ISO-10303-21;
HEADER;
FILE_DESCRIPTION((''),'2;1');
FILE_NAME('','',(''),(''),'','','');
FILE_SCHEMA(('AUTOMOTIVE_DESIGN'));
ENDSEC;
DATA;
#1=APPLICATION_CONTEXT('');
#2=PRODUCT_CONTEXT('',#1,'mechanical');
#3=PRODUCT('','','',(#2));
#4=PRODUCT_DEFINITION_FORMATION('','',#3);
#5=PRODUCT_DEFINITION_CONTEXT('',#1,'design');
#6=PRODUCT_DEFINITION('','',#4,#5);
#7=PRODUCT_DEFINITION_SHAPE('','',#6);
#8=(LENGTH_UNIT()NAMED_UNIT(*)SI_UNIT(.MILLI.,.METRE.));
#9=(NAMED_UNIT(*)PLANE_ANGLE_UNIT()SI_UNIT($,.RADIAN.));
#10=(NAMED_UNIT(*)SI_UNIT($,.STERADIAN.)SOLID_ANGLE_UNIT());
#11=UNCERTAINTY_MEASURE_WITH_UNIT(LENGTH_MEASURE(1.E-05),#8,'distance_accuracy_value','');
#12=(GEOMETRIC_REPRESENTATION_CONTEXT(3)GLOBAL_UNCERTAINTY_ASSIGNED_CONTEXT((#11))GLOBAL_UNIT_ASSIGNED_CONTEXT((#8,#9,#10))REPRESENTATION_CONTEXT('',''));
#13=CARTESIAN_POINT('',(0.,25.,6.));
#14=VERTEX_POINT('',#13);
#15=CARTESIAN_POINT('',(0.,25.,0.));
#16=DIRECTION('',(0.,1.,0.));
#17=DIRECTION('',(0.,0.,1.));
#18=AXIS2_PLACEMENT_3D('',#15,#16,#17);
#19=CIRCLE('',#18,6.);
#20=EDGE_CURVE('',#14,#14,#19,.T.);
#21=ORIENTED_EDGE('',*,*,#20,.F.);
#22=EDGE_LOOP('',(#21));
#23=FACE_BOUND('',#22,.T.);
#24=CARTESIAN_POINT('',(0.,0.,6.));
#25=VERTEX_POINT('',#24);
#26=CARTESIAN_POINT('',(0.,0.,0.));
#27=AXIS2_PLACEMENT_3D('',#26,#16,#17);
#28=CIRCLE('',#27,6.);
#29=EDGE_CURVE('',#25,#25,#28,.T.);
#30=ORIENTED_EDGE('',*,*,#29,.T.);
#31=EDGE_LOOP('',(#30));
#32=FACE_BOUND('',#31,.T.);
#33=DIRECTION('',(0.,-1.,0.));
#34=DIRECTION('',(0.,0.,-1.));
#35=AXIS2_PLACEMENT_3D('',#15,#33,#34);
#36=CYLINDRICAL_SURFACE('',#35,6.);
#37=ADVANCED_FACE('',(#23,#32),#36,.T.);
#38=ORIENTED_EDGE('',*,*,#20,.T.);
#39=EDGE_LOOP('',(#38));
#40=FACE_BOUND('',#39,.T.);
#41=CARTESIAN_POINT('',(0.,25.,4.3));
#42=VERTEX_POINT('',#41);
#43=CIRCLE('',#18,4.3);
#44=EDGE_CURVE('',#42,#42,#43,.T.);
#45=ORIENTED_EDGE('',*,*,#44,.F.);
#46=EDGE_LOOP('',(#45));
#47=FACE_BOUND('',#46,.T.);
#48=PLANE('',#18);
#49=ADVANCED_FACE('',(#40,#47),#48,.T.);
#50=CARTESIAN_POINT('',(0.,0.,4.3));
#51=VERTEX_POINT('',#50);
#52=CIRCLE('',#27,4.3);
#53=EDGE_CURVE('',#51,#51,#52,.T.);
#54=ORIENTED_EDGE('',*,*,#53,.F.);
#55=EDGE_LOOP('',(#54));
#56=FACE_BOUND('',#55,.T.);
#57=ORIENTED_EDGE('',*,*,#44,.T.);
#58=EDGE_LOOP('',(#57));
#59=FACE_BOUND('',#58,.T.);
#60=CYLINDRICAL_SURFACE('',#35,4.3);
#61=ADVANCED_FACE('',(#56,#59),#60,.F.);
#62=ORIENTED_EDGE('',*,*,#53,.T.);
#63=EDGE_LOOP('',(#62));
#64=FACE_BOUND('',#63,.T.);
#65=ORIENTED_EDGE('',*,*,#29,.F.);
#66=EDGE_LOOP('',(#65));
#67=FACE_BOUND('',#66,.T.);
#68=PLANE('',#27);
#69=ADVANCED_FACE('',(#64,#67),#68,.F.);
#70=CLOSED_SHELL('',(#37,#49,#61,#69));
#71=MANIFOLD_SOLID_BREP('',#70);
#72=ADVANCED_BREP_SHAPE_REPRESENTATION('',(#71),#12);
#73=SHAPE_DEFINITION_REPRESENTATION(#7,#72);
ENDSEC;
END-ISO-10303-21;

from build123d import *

# Parameters (mm, degrees)
CROQUIS1_R              = 6
CROQUIS1_R_2            = 4.3
SALIENTE_EXTRUIR1_DEPTH = 25


with BuildPart() as part:
    # Croquis1 → Saliente-Extruir1 (new body)
    with BuildSketch(Plane(origin=(0, 0, 0), x_dir=(1, 0, 0), z_dir=(0, 1, 0))):
        with Locations(Location((0, 0, 0), (0, 0, 270))):
            Circle(CROQUIS1_R)
        with Locations(Location((0, 0, 0), (0, 0, 270))):
            Circle(CROQUIS1_R_2, mode=Mode.SUBTRACT)
    extrude(amount=SALIENTE_EXTRUIR1_DEPTH)


solid = part.part
